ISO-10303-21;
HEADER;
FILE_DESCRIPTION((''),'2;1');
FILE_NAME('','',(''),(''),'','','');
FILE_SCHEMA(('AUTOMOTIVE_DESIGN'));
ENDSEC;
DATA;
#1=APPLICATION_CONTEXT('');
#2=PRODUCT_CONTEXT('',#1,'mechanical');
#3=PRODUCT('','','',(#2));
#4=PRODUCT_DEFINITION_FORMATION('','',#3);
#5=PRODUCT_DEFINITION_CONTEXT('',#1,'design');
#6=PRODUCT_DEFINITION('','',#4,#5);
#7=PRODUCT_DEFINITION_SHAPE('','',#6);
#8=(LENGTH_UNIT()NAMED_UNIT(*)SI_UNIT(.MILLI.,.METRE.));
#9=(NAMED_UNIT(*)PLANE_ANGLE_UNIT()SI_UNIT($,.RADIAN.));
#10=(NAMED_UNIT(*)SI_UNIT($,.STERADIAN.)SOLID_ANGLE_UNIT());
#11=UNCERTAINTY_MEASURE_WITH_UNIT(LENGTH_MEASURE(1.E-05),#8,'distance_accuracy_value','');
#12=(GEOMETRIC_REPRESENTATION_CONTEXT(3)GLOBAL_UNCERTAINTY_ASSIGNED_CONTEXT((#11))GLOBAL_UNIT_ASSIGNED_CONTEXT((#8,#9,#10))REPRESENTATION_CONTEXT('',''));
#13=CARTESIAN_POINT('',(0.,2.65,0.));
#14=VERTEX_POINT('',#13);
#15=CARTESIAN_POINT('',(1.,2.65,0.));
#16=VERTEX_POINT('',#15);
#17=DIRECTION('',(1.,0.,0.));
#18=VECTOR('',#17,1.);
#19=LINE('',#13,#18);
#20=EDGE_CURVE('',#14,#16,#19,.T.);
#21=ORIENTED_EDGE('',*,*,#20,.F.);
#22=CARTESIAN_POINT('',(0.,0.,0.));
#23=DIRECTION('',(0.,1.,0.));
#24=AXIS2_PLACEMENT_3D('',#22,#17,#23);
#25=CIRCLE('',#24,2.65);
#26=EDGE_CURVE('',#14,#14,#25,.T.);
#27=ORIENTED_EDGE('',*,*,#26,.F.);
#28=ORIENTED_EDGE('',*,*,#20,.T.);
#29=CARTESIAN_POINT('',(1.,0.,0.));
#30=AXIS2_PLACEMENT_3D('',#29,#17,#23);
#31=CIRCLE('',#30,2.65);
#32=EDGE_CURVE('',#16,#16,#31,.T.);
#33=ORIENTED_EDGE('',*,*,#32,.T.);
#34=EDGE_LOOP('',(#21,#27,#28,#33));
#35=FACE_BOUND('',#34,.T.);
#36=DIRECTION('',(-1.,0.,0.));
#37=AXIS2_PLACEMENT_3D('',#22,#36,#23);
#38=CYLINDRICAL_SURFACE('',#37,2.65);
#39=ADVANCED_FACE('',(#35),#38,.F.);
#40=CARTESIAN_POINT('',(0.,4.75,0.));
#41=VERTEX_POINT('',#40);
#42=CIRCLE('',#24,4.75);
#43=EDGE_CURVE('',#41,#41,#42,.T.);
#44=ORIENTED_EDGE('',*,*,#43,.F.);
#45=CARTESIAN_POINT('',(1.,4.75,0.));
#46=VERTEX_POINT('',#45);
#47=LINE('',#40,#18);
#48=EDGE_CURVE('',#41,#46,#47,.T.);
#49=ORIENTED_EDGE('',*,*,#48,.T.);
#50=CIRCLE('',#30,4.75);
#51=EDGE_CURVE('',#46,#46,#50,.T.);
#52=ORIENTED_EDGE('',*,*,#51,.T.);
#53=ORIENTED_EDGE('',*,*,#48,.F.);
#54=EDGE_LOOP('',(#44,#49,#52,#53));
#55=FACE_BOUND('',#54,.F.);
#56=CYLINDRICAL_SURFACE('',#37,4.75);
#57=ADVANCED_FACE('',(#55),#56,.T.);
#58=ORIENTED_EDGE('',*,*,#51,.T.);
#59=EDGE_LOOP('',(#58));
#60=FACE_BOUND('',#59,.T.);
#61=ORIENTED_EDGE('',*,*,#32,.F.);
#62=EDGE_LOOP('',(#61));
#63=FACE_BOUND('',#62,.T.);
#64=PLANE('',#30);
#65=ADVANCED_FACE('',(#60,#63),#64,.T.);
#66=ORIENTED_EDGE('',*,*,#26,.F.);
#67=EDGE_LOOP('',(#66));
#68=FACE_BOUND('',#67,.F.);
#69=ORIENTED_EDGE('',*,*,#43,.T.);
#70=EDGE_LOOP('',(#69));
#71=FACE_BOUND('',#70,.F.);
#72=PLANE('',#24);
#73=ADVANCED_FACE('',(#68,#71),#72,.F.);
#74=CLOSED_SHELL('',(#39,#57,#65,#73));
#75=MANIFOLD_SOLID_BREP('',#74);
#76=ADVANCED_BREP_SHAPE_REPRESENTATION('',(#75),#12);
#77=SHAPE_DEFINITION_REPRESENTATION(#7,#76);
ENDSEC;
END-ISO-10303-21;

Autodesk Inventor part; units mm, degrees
ref_plane "YZ Plane" through (0, 0, 0) normal (1, 0, 0) x (0, 1, 0)
ref_plane "XZ Plane" through (0, 0, 0) normal (0, 1, 0) x (-1, 0, 0)
sketch "Sketch" plane through (0, 0, 0) normal (1, 0, 0) x (0, 1, 0)
  circle A0 centre (0, 0) radius 4.75
  circle A1 centre (0, 0) radius 2.65
  dimension "d0" = 5.3
  dimension "d1" = 9.5
extrude "Body" add sketch "Sketch" along normal blind 1
ref_plane "Work Plane1" through (0, 0, 0) normal (0, 0, 1) x (1, 0, 0)
equation "\"d0\" = SD1"
equation "\"d1\" = SD2"
equation "\"d2\" = SD"
equation "\"SD1\" = 5.3"
equation "\"SD2\" = 9.5"
equation "\"SD\" = 1"
equation "\"NND\" = 5"
properties part number "AS 1237 - 5" material "Steel, Mild"
